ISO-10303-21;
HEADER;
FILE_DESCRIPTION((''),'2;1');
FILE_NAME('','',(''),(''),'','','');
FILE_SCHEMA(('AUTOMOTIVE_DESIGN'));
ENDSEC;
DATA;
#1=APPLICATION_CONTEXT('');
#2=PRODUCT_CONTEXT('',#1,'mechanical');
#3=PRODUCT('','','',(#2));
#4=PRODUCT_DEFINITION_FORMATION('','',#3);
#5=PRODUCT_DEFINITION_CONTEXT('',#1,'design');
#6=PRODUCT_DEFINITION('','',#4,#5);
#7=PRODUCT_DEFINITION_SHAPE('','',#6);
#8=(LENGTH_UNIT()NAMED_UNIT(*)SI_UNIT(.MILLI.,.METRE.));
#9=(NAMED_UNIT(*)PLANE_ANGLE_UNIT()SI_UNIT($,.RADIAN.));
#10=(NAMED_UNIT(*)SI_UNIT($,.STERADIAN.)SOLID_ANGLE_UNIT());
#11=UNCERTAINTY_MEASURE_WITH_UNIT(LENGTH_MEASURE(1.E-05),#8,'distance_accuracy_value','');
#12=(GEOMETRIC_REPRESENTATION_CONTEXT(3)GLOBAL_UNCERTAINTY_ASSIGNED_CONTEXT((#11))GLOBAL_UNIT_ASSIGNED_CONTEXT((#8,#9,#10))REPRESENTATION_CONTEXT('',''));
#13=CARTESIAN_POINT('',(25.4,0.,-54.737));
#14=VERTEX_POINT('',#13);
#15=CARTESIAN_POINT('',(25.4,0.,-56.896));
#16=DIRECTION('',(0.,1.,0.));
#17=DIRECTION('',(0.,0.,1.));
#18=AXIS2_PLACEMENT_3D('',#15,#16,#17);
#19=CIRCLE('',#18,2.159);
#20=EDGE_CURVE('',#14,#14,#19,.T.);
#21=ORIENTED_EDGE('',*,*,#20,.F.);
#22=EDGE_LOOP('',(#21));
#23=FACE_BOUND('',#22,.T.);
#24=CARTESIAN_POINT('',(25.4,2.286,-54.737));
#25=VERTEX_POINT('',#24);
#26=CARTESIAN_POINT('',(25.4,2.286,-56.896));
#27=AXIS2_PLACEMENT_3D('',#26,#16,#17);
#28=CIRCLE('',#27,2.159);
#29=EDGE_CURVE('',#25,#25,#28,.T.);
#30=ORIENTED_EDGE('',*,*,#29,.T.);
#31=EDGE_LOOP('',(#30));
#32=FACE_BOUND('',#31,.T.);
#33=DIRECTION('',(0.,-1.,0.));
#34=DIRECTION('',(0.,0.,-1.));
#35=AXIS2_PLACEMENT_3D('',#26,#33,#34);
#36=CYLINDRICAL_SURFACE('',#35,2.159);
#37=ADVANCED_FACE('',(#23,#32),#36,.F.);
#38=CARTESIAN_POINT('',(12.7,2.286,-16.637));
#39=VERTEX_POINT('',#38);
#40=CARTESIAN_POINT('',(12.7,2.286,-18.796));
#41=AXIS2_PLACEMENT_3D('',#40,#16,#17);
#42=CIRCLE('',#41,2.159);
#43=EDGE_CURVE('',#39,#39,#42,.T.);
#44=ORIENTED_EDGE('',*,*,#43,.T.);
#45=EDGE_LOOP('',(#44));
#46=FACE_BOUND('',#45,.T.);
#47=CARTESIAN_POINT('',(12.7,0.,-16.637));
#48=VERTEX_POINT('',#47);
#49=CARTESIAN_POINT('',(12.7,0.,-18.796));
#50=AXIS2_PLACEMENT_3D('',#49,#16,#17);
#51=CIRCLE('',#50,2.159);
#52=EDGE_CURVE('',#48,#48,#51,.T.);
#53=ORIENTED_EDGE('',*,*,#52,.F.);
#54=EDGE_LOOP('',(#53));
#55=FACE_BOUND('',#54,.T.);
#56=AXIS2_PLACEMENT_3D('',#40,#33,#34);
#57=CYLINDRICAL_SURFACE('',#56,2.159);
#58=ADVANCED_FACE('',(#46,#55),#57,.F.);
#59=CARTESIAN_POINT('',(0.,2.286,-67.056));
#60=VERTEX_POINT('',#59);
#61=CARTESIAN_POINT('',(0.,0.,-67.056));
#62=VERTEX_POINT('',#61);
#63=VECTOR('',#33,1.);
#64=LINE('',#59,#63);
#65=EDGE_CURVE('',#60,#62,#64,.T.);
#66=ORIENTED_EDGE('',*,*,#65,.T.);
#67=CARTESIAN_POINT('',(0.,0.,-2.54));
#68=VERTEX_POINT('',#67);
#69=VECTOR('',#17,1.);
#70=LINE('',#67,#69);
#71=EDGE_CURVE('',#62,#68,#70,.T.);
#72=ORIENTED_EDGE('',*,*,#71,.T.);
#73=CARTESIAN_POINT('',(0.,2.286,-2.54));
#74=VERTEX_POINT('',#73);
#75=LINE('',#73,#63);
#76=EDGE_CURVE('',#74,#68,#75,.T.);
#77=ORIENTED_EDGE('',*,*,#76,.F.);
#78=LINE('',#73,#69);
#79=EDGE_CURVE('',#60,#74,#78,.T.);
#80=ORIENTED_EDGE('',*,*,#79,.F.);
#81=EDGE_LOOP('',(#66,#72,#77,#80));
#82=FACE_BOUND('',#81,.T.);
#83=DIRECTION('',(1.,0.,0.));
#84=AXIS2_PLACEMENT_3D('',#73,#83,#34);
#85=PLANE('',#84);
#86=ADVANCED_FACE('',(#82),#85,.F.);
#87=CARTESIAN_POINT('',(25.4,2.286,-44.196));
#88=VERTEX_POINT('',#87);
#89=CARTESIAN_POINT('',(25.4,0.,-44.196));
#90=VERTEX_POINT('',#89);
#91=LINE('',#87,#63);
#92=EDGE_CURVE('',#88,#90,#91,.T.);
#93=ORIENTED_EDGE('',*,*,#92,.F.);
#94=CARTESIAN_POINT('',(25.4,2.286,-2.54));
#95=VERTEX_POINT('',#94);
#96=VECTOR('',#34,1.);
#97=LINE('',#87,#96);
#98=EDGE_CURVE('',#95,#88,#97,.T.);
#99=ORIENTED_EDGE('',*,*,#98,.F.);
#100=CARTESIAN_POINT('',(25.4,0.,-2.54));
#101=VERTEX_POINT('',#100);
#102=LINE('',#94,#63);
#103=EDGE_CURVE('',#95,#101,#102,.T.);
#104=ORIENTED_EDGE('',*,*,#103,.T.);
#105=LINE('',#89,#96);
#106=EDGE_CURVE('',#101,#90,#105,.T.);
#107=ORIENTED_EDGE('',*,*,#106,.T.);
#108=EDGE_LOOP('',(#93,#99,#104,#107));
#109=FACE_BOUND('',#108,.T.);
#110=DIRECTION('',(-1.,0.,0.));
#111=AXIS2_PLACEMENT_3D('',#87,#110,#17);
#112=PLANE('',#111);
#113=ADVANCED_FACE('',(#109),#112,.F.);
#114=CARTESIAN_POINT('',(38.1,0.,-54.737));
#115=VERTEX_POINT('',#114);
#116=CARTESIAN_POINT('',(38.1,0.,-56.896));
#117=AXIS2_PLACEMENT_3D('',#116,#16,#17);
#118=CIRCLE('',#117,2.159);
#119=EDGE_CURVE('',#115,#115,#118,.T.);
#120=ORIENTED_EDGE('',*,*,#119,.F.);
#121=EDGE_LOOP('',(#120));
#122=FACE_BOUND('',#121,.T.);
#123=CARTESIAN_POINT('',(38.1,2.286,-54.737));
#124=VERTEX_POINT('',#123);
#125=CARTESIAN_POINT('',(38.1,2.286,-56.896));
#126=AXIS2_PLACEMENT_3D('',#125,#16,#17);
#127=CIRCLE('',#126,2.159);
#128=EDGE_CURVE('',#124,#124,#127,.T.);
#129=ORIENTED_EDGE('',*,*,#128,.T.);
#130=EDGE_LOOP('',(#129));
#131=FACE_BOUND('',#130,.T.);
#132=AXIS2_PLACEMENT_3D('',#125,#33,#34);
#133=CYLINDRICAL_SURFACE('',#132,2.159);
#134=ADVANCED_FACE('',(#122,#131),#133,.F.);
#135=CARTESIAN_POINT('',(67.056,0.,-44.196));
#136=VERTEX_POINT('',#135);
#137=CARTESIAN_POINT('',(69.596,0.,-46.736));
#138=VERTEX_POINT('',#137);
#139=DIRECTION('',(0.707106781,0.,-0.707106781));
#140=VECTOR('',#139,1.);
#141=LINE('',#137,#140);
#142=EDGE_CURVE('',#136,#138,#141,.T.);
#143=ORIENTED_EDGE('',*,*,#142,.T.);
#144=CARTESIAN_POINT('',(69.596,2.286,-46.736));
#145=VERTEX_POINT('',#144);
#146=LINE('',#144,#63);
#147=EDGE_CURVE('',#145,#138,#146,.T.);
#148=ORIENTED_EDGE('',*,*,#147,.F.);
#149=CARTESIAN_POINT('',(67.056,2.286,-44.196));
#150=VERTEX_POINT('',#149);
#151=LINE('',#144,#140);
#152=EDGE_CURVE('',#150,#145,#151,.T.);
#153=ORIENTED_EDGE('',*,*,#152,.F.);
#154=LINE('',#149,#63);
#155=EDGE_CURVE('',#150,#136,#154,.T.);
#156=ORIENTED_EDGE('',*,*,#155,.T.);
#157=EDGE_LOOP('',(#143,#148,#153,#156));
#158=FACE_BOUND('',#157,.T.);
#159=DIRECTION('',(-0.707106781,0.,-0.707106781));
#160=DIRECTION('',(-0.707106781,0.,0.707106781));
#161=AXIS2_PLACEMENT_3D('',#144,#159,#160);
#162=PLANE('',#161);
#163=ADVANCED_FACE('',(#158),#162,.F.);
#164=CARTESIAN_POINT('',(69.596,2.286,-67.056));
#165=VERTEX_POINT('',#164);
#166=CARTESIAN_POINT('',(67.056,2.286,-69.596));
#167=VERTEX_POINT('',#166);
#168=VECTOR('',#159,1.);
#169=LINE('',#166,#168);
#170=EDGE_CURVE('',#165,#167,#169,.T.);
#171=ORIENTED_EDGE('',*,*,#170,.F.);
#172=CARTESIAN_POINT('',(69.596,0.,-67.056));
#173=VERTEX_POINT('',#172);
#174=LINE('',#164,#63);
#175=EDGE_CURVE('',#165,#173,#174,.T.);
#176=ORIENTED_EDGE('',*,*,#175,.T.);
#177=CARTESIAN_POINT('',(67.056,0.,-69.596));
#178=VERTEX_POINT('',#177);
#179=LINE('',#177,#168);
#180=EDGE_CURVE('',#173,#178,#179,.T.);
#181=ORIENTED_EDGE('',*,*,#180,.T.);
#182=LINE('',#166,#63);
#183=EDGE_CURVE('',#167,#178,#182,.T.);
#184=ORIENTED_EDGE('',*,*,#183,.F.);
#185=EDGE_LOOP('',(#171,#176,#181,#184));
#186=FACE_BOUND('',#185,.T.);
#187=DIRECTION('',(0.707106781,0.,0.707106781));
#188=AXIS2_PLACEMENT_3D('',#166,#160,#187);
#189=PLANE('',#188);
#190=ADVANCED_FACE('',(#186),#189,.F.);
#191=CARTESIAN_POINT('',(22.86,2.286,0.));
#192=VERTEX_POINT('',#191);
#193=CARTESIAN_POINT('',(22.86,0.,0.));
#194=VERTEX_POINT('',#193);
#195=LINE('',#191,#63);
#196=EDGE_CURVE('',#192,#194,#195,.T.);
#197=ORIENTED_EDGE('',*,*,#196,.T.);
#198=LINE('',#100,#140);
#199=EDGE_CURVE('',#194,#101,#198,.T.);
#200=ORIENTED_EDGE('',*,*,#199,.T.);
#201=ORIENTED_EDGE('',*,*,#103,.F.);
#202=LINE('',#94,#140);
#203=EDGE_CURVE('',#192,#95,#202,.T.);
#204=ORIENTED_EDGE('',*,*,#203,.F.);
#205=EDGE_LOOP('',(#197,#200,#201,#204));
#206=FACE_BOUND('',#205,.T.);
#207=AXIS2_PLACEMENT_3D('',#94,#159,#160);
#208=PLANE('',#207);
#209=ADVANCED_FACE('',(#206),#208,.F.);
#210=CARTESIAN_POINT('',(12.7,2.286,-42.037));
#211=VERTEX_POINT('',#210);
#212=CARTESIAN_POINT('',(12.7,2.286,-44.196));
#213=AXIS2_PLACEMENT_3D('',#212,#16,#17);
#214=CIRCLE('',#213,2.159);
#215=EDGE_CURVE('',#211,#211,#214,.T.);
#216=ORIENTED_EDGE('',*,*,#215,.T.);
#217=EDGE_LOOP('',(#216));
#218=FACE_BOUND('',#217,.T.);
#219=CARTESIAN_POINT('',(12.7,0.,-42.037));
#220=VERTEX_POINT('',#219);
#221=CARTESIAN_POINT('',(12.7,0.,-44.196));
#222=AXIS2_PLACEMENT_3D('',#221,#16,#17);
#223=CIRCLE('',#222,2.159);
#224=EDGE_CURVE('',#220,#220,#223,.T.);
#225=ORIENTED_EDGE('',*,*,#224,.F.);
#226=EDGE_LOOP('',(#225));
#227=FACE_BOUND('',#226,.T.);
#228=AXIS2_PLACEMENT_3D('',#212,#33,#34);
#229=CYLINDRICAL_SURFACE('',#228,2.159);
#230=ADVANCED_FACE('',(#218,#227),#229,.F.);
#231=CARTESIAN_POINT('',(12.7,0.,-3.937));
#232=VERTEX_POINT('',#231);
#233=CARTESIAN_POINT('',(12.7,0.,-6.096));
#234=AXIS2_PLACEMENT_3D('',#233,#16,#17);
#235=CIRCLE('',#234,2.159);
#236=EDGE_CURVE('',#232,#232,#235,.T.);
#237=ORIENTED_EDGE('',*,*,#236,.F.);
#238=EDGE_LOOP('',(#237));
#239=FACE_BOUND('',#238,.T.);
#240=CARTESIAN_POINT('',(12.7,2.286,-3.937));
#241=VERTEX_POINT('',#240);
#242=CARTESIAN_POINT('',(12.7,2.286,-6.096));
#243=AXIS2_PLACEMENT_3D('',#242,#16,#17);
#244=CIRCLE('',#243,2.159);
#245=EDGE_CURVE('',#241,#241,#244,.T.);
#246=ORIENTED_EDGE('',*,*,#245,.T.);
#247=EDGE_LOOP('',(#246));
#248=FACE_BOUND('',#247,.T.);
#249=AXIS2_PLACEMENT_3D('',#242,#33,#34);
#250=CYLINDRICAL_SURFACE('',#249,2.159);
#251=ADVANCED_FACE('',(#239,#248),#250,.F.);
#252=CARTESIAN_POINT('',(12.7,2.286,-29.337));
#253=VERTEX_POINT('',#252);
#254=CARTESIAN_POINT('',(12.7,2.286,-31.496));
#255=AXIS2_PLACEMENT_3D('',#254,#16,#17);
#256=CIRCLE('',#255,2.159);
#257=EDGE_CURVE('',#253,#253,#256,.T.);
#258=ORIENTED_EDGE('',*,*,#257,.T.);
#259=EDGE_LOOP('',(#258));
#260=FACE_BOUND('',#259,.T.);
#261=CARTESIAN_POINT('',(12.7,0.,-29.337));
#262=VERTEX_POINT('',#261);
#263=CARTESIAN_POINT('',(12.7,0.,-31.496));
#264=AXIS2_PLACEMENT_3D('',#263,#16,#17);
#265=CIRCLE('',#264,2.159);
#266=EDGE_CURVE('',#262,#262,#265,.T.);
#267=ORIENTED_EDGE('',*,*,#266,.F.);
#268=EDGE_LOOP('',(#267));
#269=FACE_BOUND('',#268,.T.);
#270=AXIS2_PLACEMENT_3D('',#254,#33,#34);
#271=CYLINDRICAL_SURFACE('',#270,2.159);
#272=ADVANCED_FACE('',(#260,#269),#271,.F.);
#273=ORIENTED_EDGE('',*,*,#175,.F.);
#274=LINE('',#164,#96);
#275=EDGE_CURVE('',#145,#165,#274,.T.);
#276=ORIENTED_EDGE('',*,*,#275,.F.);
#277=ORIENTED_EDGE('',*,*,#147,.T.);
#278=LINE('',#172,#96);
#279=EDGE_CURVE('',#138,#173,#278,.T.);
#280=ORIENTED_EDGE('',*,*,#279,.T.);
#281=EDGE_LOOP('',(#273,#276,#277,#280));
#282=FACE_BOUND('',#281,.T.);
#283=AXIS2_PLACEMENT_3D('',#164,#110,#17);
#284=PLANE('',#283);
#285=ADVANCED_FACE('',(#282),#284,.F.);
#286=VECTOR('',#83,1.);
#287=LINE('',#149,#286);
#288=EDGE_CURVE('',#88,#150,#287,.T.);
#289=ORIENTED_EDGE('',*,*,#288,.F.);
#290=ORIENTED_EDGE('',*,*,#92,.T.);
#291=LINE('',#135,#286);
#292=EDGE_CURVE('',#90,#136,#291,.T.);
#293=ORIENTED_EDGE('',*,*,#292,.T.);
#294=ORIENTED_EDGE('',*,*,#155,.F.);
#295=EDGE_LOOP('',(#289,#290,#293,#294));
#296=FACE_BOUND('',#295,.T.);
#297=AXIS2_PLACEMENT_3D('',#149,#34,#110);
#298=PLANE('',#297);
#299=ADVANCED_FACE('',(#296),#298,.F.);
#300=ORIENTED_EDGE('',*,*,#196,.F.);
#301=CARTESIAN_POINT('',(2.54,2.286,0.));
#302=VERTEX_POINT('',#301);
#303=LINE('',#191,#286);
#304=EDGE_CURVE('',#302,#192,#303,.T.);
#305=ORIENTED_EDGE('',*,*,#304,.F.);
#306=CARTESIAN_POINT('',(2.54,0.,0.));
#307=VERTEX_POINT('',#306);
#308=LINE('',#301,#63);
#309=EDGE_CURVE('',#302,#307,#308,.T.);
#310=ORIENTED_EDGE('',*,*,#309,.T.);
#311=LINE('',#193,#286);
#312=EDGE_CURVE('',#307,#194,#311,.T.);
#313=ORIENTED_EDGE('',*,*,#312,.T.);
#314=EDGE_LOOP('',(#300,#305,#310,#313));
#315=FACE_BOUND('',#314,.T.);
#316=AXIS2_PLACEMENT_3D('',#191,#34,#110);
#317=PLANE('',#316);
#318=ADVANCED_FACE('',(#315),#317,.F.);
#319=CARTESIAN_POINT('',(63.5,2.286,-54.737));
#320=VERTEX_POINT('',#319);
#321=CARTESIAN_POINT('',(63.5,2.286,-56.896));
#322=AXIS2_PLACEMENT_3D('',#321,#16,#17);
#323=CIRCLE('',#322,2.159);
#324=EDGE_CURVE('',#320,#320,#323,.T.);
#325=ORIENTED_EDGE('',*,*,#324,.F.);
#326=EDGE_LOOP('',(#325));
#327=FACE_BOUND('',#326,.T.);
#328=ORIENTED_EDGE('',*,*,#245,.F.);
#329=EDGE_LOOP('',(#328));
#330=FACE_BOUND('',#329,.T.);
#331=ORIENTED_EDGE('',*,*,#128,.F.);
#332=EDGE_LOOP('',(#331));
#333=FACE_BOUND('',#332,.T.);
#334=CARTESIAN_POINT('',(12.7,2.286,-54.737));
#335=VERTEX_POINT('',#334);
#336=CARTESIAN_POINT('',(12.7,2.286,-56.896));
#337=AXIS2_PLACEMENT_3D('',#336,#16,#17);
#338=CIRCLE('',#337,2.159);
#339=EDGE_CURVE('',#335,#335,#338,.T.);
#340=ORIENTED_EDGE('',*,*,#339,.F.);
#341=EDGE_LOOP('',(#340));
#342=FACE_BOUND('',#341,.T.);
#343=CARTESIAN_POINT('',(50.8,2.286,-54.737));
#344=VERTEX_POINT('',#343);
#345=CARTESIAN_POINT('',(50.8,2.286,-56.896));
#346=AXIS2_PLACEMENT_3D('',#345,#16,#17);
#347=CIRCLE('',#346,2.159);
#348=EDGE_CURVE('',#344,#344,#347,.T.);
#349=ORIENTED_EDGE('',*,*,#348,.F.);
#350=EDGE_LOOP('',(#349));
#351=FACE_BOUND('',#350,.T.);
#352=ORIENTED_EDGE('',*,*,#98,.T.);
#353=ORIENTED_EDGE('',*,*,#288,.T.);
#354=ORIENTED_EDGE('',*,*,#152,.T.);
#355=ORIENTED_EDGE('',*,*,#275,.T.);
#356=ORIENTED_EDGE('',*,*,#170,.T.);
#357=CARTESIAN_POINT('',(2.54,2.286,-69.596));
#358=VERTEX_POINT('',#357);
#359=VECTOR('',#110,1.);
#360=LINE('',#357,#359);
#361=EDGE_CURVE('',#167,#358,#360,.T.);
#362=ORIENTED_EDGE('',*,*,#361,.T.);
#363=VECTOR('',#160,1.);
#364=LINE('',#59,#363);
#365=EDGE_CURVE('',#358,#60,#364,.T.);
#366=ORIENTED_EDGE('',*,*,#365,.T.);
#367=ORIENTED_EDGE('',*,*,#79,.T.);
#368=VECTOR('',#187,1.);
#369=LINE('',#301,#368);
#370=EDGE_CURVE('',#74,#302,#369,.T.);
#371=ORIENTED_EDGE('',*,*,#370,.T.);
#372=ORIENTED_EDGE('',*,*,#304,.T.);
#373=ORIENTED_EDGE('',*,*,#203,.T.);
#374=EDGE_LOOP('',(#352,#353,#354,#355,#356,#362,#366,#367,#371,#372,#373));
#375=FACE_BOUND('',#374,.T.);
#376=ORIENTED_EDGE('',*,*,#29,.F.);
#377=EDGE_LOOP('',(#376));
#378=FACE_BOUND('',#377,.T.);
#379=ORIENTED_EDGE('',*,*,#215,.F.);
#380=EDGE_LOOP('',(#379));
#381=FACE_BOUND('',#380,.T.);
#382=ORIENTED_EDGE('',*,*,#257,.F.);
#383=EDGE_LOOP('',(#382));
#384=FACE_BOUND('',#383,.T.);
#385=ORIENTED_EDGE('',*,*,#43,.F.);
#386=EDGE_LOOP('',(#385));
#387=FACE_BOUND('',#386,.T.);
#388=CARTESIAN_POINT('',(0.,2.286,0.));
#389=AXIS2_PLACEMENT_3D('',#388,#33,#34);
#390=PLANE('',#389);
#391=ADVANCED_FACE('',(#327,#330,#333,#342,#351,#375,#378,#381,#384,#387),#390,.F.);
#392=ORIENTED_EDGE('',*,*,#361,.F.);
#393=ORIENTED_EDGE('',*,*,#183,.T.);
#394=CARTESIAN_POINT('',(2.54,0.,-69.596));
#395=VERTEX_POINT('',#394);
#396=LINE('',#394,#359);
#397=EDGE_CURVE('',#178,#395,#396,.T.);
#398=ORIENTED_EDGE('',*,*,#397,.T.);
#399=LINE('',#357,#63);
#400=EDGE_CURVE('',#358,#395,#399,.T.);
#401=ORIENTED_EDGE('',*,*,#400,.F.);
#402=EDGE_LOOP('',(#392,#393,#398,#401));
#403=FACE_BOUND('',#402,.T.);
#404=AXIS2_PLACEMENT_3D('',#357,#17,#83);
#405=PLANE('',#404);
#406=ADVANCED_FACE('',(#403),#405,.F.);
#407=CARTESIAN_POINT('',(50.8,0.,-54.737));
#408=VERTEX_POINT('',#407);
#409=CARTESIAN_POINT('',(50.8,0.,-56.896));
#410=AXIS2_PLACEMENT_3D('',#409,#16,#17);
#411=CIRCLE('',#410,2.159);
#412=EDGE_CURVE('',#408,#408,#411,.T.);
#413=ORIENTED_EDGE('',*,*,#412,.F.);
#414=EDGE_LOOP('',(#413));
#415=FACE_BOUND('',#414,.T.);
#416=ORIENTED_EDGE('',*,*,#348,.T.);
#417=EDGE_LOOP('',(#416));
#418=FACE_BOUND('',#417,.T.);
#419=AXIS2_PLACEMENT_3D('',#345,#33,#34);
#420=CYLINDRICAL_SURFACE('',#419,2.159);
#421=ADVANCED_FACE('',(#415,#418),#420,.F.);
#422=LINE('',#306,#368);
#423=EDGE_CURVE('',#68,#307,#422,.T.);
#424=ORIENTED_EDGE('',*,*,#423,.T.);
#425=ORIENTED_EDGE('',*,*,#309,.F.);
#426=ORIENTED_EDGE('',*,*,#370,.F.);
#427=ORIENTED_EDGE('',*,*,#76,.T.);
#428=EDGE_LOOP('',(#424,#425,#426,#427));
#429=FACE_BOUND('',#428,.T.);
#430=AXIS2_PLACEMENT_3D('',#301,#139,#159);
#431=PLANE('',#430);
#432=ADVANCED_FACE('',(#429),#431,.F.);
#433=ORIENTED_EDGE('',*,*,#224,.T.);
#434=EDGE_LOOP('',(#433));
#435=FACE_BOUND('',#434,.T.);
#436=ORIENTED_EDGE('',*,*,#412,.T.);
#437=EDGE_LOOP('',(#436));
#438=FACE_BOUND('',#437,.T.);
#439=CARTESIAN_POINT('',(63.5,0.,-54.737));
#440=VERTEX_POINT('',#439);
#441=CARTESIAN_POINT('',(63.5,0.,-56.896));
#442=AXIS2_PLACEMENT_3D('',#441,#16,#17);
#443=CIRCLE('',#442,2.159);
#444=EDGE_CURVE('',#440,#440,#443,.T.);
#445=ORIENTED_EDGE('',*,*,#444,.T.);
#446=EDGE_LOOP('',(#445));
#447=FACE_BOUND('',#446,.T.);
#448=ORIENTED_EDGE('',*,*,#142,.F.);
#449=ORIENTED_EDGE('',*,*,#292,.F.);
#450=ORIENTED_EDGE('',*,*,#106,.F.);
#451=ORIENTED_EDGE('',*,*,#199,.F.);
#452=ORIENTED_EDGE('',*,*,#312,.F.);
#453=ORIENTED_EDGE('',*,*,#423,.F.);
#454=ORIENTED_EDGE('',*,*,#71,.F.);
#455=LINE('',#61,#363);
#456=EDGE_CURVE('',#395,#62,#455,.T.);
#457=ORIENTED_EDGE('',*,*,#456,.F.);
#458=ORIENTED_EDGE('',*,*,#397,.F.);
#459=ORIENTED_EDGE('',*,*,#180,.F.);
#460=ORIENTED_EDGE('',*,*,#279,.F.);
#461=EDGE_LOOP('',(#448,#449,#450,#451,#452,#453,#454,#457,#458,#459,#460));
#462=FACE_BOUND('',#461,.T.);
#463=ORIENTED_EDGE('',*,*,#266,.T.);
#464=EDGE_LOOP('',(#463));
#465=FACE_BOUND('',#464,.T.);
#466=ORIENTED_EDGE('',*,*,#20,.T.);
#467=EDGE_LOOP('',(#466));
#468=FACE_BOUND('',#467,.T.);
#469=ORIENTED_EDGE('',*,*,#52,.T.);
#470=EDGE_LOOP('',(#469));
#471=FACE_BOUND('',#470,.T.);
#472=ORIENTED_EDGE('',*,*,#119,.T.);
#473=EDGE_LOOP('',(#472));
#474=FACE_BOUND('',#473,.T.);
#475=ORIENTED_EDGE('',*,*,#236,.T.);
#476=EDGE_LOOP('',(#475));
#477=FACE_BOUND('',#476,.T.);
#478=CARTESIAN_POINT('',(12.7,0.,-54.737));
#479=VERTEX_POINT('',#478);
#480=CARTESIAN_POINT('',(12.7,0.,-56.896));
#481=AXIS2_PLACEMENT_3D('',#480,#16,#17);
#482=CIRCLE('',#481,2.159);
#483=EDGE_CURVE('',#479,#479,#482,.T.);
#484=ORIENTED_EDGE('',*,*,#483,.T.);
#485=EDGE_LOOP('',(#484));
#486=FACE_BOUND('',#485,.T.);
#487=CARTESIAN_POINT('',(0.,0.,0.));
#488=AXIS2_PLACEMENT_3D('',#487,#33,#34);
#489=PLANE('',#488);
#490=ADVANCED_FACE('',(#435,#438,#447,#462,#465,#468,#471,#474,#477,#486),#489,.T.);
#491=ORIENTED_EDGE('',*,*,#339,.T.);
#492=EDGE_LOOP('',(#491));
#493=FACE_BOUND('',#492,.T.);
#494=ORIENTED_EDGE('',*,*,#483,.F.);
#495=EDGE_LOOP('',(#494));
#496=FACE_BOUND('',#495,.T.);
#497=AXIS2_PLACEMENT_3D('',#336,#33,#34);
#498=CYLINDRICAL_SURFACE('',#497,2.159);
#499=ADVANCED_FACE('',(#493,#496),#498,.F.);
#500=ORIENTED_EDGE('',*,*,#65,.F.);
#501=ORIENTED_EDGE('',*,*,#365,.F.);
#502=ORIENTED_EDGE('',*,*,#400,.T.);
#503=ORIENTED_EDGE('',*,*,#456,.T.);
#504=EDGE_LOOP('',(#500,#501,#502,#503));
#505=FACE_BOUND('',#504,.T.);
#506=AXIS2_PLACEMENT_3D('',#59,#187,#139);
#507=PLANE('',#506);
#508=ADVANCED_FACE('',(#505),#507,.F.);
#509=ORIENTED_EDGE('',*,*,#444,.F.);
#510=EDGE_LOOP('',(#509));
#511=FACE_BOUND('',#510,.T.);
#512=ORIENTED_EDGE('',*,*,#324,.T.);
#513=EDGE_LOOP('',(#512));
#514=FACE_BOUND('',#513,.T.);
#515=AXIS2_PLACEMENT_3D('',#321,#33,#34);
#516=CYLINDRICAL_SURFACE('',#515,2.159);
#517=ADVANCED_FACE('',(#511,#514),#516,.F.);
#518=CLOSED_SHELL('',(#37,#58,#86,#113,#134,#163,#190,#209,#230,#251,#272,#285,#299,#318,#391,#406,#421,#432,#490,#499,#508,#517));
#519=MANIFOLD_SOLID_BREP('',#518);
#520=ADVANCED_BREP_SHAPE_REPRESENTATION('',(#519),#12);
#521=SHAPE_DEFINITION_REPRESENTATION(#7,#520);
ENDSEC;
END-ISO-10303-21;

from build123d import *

# Parameters (mm, degrees)
SKETCH1_R           = 2.159
BOSS_EXTRUDE1_DEPTH = 2.286


with BuildPart() as part:
    # Sketch1 → Boss-Extrude1 (new body)
    with BuildSketch(Plane(origin=(0, 0, 0), x_dir=(1, 0, 0), z_dir=(0, 1, 0))):
        Polygon((0, 2.54), (0, 67.056), (2.54, 69.596), (67.056, 69.596), (69.596, 67.056), (69.596, 46.736), (67.056, 44.196), (25.4, 44.196), (25.4, 2.54), (22.86, 0), (2.54, 0), align=None)
        with Locations((12.7, 56.896)):
            Circle(SKETCH1_R, mode=Mode.SUBTRACT)
        with Locations((25.4, 56.896)):
            Circle(SKETCH1_R, mode=Mode.SUBTRACT)
        with Locations((38.1, 56.896)):
            Circle(SKETCH1_R, mode=Mode.SUBTRACT)
        with Locations((50.8, 56.896)):
            Circle(SKETCH1_R, mode=Mode.SUBTRACT)
        with Locations((63.5, 56.896)):
            Circle(SKETCH1_R, mode=Mode.SUBTRACT)
        with Locations((12.7, 44.196)):
            Circle(SKETCH1_R, mode=Mode.SUBTRACT)
        with Locations((12.7, 31.496)):
            Circle(SKETCH1_R, mode=Mode.SUBTRACT)
        with Locations((12.7, 18.796)):
            Circle(SKETCH1_R, mode=Mode.SUBTRACT)
        with Locations((12.7, 6.096)):
            Circle(SKETCH1_R, mode=Mode.SUBTRACT)
    extrude(amount=BOSS_EXTRUDE1_DEPTH)


solid = part.part
